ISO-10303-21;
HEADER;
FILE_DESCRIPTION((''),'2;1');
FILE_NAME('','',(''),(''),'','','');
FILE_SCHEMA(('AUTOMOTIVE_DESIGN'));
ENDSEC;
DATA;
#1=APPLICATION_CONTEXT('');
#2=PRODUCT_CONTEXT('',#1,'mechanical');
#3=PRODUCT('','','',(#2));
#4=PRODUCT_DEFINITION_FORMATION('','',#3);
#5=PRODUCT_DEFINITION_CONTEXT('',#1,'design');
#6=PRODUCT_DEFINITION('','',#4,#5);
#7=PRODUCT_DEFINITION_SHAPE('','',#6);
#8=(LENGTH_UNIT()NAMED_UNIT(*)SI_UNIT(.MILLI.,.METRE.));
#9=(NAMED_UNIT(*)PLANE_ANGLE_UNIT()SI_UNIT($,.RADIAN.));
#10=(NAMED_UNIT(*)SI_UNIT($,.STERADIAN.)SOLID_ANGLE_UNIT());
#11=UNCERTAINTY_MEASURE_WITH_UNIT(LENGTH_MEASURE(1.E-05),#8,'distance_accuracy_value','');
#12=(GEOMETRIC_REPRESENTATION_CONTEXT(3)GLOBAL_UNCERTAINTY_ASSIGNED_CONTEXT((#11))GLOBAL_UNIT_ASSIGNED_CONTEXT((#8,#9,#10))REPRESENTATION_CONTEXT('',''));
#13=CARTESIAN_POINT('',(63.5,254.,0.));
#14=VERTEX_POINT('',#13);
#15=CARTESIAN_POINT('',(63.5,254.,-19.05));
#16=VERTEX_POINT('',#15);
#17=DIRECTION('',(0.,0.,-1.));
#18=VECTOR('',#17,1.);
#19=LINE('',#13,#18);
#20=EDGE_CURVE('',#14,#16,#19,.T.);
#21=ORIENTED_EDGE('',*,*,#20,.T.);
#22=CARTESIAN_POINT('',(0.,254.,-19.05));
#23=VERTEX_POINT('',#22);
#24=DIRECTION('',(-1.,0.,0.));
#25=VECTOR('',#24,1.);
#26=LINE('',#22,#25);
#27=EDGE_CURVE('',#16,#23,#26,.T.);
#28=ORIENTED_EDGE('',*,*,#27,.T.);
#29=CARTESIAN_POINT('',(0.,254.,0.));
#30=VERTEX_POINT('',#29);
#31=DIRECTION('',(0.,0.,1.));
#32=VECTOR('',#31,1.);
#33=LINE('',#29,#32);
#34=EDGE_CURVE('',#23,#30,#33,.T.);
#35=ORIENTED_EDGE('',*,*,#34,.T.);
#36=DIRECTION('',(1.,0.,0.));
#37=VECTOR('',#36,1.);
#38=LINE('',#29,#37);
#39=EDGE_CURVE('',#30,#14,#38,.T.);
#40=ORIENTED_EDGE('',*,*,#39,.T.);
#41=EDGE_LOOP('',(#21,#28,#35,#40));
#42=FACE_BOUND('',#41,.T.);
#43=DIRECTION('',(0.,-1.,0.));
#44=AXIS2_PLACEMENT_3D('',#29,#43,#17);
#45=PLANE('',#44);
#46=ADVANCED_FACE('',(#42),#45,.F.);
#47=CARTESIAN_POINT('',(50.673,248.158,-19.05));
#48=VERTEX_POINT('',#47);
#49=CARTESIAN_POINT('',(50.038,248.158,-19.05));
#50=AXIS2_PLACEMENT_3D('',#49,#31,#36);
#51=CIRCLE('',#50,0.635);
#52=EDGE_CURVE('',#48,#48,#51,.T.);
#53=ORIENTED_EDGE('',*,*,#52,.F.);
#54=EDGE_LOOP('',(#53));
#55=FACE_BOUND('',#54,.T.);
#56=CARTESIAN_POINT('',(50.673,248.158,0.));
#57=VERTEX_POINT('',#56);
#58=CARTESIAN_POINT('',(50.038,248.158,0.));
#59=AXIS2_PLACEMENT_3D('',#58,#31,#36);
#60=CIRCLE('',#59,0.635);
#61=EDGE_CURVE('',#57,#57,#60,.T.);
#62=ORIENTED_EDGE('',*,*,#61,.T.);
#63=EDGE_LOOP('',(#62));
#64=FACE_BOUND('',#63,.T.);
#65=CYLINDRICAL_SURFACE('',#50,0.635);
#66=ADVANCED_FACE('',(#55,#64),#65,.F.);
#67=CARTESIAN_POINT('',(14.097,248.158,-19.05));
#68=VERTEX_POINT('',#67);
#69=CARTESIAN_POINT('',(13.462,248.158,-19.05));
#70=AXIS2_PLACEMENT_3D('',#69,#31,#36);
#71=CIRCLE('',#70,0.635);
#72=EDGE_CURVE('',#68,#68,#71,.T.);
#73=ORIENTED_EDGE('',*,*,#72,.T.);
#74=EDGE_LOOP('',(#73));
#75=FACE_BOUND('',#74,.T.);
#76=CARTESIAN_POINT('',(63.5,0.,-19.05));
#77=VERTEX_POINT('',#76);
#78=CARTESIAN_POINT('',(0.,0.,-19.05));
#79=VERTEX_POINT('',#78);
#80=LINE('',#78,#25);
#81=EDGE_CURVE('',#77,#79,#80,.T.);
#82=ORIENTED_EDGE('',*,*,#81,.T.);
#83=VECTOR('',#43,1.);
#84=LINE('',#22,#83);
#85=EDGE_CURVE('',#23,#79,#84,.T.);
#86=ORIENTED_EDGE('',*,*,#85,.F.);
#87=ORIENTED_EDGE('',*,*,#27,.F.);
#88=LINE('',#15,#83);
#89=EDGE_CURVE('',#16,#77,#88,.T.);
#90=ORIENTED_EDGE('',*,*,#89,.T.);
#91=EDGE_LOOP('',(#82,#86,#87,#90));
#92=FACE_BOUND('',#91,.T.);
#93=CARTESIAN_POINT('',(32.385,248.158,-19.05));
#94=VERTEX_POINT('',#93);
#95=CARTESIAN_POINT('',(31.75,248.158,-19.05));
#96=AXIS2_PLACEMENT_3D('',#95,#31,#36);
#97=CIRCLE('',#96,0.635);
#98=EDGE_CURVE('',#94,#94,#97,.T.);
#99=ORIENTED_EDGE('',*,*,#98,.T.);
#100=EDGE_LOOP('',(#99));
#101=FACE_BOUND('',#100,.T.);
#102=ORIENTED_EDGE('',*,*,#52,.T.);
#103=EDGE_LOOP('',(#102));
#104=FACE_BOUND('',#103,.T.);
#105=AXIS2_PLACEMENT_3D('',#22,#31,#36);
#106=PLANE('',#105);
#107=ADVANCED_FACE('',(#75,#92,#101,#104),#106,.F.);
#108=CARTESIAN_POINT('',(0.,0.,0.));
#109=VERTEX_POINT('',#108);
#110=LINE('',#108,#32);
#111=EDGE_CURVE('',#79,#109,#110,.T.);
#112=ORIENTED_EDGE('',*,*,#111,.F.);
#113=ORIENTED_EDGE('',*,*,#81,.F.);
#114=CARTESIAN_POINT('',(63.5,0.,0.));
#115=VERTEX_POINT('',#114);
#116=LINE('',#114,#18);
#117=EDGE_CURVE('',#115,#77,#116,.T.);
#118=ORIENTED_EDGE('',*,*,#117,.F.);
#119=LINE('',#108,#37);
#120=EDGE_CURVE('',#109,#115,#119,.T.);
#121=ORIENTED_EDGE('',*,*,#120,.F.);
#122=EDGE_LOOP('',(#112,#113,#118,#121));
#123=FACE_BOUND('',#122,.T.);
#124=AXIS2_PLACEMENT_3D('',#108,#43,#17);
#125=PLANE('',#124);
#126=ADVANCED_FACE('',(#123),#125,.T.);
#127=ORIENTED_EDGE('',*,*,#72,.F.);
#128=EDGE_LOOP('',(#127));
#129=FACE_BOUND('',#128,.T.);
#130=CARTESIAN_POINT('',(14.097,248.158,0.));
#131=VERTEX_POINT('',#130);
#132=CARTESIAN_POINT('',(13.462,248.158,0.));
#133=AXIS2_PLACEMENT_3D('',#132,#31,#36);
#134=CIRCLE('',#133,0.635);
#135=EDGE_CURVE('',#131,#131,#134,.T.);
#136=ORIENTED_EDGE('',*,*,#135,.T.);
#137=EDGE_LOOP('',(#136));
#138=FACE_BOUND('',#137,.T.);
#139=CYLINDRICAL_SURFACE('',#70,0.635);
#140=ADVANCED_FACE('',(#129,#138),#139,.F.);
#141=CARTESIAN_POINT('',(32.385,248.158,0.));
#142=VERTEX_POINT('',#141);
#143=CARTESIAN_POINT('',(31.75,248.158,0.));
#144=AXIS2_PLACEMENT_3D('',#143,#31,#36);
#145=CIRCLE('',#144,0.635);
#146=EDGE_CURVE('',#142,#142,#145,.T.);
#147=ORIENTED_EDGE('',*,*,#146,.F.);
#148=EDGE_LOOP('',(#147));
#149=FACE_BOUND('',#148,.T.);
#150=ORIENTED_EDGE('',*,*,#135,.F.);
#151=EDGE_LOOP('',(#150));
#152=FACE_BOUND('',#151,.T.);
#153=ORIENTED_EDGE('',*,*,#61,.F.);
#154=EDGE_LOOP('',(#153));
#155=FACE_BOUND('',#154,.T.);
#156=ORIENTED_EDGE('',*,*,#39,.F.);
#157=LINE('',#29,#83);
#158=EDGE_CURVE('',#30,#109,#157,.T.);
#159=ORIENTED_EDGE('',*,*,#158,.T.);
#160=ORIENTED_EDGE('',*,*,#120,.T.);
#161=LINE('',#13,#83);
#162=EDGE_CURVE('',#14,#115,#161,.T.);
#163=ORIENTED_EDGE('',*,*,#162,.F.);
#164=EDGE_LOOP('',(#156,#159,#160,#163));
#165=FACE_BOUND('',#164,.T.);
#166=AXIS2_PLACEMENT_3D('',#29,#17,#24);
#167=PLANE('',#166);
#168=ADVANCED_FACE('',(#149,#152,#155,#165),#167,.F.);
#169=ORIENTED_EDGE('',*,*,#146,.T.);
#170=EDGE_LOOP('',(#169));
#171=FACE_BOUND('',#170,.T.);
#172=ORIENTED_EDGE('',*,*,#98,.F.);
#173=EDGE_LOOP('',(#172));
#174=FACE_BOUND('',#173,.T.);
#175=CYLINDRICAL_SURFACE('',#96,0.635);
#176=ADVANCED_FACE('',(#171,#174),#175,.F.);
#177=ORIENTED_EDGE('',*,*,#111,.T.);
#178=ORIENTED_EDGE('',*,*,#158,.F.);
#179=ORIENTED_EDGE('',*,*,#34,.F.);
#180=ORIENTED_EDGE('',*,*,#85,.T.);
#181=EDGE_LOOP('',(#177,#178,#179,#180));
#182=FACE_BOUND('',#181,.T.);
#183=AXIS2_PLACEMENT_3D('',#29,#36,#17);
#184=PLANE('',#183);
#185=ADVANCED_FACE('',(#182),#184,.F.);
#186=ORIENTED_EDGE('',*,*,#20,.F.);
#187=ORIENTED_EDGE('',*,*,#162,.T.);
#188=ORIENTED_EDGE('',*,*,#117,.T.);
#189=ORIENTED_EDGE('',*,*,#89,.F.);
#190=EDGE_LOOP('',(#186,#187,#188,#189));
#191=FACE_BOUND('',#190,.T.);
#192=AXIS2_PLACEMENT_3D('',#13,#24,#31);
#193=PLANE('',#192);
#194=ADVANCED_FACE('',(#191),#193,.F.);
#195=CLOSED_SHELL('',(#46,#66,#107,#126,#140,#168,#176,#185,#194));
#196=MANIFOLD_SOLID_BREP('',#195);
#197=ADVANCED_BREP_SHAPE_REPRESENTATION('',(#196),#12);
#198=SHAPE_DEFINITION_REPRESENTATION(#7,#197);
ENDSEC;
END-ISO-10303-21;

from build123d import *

# Parameters (mm, degrees)
SKETCH1_W           = 63.5
SKETCH1_H           = 19.05
BOSS_EXTRUDE1_DEPTH = 254
SKETCH2_R           = 0.635
CUT_EXTRUDE1_DEPTH  = 263.509337929


with BuildPart() as part:
    # Sketch1 → Boss-Extrude1 (new body)
    with BuildSketch(Plane(origin=(0, 0, 0), x_dir=(1, 0, 0), z_dir=(0, 1, 0))):
        with Locations((31.75, 9.525)):
            Rectangle(SKETCH1_W, SKETCH1_H)
    extrude(amount=BOSS_EXTRUDE1_DEPTH)

    # Sketch2 → Cut-Extrude1 (cut, through all)
    with BuildSketch(Plane.XY):
        with Locations((13.462, 248.158)):
            Circle(SKETCH2_R)
        with Locations((31.75, 248.158)):
            Circle(SKETCH2_R)
        with Locations((50.038, 248.158)):
            Circle(SKETCH2_R)
    extrude(amount=-CUT_EXTRUDE1_DEPTH, mode=Mode.SUBTRACT)


solid = part.part
